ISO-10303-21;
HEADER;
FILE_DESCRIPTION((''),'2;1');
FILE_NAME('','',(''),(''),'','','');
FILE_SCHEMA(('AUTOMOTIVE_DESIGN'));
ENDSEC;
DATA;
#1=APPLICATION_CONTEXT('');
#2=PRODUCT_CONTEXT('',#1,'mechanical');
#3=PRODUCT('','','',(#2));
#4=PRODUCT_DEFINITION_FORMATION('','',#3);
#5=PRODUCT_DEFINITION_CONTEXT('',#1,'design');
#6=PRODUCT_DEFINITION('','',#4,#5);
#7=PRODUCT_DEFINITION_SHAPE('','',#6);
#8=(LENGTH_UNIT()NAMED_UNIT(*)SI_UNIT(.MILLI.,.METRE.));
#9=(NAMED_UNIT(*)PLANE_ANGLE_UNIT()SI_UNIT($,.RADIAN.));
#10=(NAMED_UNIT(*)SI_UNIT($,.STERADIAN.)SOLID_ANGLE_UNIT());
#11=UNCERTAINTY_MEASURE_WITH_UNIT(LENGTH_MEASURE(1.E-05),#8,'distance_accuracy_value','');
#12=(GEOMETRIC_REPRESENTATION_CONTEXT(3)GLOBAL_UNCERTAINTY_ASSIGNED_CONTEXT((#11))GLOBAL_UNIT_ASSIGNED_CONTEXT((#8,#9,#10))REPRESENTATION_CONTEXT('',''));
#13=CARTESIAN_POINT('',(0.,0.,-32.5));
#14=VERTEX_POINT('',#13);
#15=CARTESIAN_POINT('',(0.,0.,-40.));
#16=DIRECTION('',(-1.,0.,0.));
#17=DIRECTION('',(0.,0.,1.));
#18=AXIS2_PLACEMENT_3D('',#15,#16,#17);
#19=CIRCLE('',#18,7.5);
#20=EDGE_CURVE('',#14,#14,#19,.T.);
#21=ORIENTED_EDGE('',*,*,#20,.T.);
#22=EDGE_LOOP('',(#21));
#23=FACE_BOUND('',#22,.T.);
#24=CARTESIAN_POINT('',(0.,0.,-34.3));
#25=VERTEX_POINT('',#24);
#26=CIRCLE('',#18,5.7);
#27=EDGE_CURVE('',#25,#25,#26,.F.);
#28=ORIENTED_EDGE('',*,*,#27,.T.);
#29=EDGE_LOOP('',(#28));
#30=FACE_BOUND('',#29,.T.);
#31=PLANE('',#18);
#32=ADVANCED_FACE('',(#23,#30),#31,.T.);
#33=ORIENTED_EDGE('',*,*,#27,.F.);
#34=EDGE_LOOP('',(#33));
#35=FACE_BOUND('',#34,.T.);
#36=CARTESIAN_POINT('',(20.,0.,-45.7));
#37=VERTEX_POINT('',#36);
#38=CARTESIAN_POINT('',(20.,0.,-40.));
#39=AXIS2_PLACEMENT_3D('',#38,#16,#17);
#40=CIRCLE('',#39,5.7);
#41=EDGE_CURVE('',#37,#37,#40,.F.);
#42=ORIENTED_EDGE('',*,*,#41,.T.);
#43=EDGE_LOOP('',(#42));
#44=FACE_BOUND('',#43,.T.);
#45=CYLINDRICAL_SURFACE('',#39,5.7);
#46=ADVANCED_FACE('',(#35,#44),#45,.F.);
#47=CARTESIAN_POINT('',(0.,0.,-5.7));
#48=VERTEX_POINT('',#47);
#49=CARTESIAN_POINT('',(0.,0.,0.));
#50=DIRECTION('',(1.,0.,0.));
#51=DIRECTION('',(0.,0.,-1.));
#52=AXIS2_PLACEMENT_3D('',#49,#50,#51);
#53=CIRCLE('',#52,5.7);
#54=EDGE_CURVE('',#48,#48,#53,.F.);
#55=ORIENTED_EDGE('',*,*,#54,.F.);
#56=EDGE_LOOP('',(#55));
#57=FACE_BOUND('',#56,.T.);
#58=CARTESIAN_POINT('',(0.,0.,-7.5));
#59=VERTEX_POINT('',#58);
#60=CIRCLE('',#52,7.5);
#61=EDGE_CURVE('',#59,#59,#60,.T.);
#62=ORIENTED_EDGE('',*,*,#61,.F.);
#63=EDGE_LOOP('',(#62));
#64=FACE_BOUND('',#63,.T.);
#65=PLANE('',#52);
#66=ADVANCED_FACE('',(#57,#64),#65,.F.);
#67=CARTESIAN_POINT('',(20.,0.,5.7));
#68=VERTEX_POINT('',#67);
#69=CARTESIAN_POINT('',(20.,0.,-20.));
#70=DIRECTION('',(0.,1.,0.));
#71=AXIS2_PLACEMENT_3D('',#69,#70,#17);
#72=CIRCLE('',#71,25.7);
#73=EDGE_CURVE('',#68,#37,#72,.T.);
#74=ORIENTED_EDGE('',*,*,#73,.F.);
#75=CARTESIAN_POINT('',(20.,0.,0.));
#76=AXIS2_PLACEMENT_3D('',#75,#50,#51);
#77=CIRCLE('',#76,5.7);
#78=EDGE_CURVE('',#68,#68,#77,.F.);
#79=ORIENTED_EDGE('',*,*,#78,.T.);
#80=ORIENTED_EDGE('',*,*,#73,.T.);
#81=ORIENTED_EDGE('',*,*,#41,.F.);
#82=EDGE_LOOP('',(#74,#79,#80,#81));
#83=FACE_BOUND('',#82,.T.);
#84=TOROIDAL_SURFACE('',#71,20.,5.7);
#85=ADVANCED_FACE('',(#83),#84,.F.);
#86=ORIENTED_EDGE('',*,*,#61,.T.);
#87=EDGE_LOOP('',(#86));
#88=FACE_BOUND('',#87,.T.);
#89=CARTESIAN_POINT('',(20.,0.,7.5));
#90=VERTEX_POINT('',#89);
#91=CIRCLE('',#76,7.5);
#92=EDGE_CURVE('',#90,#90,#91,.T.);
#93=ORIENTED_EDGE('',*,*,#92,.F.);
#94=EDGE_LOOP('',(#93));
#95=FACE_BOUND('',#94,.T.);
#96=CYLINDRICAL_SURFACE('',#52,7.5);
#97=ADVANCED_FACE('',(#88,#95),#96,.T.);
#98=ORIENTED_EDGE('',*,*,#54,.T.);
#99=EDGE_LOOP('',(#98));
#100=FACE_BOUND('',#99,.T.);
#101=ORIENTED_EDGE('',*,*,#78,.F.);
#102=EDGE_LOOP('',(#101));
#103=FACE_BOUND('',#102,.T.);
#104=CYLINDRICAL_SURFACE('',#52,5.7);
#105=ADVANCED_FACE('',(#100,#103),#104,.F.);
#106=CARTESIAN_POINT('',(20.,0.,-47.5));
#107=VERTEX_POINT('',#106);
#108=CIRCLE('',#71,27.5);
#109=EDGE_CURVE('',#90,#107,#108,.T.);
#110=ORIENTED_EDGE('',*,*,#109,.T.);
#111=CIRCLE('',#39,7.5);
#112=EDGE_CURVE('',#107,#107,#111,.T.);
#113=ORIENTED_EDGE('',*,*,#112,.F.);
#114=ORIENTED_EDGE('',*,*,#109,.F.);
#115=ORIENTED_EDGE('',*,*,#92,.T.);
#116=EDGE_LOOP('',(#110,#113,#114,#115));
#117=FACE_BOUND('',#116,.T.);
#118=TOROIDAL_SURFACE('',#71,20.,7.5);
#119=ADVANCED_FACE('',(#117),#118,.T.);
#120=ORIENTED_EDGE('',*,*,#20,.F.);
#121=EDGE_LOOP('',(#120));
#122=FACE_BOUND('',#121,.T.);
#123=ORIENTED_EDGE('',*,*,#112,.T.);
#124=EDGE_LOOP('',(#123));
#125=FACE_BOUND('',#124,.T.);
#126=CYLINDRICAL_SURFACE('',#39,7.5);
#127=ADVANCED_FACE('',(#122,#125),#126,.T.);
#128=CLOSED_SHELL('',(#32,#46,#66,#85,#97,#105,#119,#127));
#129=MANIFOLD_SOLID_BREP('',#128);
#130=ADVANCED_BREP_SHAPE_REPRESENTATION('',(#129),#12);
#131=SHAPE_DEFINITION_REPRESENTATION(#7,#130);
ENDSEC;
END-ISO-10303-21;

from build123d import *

# Parameters (mm, degrees)
SKETCH_1_R   = 7.5
SKETCH_1_R_2 = 5.7


with BuildPart() as part:
    # 扫描1: sweep along a path in 草图2
    with BuildLine(Plane(origin=(0, 0, 0), x_dir=(1, 0, 0), z_dir=(0, 1, 0))) as sweep_1_path:
        Line((0, 0), (20, 0))
        ThreePointArc((20, 0), (40, 20), (20, 40))
        Line((20, 40), (0, 40))
    # 草图1 → 扫描1 (sweep)
    with BuildSketch(Plane(origin=(0, 0, 0), x_dir=(0, 0, -1), z_dir=(1, 0, 0))):
        Circle(SKETCH_1_R)
        Circle(SKETCH_1_R_2, mode=Mode.SUBTRACT)
    sweep(path=sweep_1_path.line)


solid = part.part
